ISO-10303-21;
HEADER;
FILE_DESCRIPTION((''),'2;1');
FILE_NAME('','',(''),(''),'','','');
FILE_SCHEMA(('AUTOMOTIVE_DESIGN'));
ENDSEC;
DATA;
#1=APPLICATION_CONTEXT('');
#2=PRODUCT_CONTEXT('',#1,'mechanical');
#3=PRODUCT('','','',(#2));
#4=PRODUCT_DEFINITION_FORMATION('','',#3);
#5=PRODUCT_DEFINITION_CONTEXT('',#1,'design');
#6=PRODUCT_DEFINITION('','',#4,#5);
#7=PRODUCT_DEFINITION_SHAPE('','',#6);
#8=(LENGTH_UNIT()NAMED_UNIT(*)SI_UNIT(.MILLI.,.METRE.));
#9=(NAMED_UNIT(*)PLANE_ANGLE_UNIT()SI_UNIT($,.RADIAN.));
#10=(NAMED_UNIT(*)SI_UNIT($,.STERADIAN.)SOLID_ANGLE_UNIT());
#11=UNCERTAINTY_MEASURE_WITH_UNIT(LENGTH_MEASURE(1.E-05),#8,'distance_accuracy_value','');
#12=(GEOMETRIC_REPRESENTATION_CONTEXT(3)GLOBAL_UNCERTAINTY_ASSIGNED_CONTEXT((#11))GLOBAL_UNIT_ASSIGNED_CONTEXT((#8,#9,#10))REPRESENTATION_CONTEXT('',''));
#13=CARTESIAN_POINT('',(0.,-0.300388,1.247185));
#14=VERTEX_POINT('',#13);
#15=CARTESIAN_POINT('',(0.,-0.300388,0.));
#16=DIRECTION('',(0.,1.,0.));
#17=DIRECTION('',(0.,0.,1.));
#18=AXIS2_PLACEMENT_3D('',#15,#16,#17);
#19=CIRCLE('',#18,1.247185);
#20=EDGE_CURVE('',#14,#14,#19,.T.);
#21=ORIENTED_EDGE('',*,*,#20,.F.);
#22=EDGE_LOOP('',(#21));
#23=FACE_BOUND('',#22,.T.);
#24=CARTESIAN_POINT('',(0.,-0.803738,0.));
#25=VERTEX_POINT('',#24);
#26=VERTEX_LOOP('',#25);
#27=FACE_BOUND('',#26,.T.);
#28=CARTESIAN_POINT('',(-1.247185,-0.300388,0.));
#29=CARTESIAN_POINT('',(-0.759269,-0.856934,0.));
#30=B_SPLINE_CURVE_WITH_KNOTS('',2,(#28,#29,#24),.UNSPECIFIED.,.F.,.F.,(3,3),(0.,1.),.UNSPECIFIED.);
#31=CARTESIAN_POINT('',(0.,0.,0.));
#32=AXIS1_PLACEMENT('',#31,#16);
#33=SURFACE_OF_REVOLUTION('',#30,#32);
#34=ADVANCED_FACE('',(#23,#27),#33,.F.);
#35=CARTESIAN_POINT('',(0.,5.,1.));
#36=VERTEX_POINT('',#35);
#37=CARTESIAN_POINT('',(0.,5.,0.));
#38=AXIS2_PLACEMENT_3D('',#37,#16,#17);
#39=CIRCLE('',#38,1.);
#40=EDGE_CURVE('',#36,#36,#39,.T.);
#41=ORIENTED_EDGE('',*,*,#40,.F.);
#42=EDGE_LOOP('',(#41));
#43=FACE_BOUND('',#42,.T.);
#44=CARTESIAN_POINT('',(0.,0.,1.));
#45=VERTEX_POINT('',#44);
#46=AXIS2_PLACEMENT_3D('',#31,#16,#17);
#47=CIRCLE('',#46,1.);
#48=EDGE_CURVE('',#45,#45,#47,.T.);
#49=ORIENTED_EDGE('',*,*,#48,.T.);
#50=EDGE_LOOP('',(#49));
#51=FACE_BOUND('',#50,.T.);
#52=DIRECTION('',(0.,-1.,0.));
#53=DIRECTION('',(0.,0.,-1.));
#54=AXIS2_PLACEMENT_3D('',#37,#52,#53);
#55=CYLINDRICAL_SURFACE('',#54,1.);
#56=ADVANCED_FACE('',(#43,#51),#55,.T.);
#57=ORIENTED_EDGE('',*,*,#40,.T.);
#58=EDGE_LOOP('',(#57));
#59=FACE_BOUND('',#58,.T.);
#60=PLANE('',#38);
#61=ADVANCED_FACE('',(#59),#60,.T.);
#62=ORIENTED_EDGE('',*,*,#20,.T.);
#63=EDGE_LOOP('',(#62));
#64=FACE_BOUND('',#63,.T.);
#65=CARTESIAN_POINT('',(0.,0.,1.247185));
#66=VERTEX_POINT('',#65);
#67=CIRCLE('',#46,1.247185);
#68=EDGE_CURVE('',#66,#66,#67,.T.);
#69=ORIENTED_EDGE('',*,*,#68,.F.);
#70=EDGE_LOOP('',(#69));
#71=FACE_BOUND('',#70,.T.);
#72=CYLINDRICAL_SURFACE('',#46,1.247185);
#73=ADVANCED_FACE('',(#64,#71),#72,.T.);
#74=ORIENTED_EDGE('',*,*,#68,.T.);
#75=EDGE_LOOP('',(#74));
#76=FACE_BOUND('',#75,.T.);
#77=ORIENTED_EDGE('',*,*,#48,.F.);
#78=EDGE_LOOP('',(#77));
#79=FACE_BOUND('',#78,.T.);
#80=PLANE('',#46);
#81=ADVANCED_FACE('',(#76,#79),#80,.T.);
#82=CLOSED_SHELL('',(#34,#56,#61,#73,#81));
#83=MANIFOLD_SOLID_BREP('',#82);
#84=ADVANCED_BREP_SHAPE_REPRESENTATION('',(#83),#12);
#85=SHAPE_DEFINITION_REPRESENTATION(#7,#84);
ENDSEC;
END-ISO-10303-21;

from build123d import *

# Parameters (mm, degrees)
SKETCH_1_R      = 1
EXTRUDE_1_DEPTH = 5


with BuildPart() as part:
    # 草图1 → 凸台-拉伸1 (new body)
    with BuildSketch(Plane(origin=(0, 0, 0), x_dir=(1, 0, 0), z_dir=(0, 1, 0))):
        with Locations(Location((0, 0, 0), (0, 0, 270))):
            Circle(SKETCH_1_R)
    extrude(amount=EXTRUDE_1_DEPTH)

    # 草图5 → 旋转1 (revolve)
    with BuildSketch(Plane.XY, mode=Mode.PRIVATE) as revolve_1_sk:
        with BuildLine():
            Line((0, 0), (0, -0.803737915))
            add(Edge.make_bspline(
                [(0, -0.803737915), (-0.759268596, -0.856933587), (-1.247184997, -0.300388251)],
                knots=[0, 0, 0, 1, 1, 1], degree=2))
            Line((-1.247184997, -0.300388251), (-1.247184997, 0))
            Line((-1.247184997, 0), (0, 0))
        make_face()
    revolve(revolve_1_sk.sketch.rotate(Axis((0, 0, 0), (0, -1, 0)), 270), axis=Axis((0, 0, 0), (0, -1, 0)))


solid = part.part
